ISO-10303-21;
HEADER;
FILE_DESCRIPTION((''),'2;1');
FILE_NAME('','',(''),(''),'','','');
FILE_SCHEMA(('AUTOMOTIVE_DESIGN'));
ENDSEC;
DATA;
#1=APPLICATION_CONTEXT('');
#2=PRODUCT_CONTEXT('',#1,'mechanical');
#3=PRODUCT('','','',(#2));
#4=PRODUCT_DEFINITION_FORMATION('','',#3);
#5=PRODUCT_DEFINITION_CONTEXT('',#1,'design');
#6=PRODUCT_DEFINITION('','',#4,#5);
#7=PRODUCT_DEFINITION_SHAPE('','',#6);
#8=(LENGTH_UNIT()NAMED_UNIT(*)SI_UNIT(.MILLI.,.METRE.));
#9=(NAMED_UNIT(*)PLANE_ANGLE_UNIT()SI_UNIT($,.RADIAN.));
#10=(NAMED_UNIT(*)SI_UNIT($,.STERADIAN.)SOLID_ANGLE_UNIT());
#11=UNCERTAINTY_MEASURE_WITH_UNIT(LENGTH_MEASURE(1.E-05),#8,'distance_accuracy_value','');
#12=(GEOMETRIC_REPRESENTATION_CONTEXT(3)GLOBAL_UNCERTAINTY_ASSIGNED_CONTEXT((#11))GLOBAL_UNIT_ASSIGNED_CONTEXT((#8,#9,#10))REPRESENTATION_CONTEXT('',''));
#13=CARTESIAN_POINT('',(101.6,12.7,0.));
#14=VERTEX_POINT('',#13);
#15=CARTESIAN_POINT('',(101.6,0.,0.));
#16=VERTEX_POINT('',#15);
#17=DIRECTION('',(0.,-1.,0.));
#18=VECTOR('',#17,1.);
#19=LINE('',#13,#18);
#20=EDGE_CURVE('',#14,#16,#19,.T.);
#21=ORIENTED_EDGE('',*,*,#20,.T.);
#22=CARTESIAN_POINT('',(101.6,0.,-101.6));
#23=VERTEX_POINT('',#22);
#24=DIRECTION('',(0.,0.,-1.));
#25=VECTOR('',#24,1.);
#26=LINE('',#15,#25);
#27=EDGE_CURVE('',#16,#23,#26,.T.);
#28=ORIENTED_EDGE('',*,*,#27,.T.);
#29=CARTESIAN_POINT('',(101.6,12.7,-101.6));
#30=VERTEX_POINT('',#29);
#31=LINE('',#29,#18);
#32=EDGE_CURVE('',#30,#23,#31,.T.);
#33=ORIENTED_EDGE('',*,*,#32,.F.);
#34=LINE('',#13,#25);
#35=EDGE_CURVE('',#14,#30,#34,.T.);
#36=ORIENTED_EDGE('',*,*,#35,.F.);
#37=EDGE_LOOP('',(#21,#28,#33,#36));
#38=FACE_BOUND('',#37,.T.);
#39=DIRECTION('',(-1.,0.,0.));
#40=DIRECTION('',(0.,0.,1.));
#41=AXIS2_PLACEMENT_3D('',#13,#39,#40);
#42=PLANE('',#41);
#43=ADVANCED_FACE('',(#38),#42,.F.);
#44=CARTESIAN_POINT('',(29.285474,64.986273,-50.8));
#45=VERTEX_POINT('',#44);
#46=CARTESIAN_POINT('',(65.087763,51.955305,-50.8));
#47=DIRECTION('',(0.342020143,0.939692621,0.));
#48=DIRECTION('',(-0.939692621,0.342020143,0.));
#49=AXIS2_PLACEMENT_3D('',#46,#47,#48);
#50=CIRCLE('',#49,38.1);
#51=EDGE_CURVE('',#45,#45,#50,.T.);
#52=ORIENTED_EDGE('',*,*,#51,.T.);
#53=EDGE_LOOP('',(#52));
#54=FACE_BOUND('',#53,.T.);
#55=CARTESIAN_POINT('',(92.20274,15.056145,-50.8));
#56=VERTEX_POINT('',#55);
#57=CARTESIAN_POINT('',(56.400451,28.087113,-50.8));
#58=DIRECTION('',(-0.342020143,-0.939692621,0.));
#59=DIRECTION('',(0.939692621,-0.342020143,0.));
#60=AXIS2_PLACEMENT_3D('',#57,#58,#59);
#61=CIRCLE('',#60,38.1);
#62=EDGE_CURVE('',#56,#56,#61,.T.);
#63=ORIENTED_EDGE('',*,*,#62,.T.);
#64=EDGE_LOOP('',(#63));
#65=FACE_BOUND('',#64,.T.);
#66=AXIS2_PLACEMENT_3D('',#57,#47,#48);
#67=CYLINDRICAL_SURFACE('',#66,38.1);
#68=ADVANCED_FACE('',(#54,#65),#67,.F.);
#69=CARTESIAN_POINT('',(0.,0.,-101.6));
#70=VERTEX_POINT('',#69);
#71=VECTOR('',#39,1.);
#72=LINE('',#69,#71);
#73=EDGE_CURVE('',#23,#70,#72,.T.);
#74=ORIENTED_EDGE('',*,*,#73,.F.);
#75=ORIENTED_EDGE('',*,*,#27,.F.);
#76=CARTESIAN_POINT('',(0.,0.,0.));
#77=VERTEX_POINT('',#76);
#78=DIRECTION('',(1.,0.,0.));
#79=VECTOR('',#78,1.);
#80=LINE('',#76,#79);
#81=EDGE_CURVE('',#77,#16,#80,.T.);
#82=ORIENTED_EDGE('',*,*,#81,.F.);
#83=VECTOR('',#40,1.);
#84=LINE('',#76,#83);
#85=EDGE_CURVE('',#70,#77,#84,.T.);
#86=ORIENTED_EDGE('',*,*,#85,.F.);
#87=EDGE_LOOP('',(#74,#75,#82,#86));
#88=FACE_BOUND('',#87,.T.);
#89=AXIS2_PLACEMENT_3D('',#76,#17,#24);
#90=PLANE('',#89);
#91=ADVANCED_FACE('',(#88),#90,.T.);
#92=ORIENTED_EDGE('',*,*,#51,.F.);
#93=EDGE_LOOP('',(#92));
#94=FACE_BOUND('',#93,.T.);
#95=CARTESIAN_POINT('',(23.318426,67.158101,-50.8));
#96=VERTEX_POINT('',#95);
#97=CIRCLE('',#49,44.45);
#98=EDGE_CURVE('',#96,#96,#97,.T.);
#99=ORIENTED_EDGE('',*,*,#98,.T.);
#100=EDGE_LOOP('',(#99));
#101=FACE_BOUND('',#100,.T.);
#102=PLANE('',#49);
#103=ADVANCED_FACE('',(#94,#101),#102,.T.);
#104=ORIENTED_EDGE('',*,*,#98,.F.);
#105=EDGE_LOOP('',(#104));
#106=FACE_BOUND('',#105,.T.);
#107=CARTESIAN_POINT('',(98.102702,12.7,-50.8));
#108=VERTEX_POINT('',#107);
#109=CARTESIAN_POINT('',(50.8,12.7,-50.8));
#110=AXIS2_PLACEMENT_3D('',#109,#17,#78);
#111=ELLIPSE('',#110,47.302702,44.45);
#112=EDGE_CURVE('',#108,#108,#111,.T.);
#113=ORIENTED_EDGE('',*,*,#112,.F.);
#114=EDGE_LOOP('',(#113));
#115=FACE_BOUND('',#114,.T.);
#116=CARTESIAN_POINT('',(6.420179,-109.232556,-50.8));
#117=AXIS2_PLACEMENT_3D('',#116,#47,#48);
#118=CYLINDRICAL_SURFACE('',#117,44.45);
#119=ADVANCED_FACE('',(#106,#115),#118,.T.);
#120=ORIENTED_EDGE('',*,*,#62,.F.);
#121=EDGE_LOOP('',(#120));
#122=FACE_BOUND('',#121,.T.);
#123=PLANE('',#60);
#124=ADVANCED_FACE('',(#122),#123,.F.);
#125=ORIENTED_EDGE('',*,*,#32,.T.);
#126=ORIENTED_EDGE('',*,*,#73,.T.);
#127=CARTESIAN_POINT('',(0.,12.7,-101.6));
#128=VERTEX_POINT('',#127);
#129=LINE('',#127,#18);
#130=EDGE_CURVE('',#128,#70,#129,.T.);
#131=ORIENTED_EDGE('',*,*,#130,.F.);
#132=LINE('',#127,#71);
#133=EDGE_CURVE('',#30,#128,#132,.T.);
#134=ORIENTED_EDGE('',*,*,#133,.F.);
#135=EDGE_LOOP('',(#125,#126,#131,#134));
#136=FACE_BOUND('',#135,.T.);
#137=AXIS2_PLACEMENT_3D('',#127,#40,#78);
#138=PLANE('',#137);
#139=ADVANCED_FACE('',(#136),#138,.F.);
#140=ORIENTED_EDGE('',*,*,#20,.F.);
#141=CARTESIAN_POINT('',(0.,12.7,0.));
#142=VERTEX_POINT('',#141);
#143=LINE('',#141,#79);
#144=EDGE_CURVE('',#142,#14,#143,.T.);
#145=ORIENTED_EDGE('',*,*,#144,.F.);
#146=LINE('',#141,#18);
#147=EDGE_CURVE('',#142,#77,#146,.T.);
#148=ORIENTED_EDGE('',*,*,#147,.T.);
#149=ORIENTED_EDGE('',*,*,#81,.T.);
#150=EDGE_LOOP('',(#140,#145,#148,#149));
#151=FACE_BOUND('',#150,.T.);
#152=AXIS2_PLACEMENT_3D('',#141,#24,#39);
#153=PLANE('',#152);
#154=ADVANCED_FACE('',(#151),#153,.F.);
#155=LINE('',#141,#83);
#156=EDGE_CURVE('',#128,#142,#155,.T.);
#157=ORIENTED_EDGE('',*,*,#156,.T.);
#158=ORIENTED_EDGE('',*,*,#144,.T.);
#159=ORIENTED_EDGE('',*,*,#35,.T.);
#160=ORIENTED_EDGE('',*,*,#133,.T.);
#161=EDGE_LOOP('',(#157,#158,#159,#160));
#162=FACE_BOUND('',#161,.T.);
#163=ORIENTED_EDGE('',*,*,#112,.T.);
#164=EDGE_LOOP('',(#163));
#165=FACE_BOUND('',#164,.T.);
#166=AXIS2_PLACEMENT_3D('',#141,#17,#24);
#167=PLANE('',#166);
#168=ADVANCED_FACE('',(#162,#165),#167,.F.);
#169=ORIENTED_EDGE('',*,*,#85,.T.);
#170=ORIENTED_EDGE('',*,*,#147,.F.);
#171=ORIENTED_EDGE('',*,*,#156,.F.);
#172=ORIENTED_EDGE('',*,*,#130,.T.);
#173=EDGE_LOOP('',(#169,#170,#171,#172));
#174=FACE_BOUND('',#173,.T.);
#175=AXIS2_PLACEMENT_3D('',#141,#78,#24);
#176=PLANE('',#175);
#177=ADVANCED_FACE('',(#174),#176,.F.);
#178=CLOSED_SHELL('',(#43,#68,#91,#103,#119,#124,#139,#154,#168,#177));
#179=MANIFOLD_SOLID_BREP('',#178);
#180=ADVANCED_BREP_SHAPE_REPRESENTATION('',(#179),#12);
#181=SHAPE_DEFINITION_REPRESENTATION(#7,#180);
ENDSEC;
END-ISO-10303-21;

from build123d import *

# Parameters (mm, degrees)
SKETCH1_W           = 101.6
SKETCH1_H           = 101.6
BOSS_EXTRUDE1_DEPTH = 12.7
SKETCH4_R           = 44.45
SKETCH4_R_2         = 38.1
BOSS_EXTRUDE5_DEPTH = 1
BOSS_EXTRUDE6_REACH = 141.847
SKETCH7_R           = 44.45
SKETCH8_R           = 44.45
SKETCH8_R_2         = 38.1
BOSS_EXTRUDE7_DEPTH = 24.4


with BuildPart() as part:
    # Sketch1 → Boss-Extrude1 (new body)
    with BuildSketch(Plane(origin=(0, 0, 0), x_dir=(1, 0, 0), z_dir=(0, 1, 0))):
        with Locations((50.8, 50.8)):
            Rectangle(SKETCH1_W, SKETCH1_H)
    extrude(amount=BOSS_EXTRUDE1_DEPTH)

    # Boss-Extrude6: up to this face of the body (flat: up to its plane)
    boss_extrude6_end = Plane(part.part.faces().sort_by_distance((50.8, 12.7, -50.8))[0])
    # Sketch7 → Boss-Extrude6 (add, up to the picked face)
    with BuildSketch(Plane(origin=(15.624623468, 42.928300165, 0), x_dir=(0.9396926207859082, -0.34202014332566943, 0), z_dir=(-0.34202014332566943, -0.9396926207859082, 0)), mode=Mode.PRIVATE) as boss_extrude6_sk1:
        with Locations(Location((43.392729316, -50.8, 0), (0, 0, 180))):
            Circle(SKETCH7_R)
    boss_extrude6_tool1 = split(extrude(boss_extrude6_sk1.sketch, amount=BOSS_EXTRUDE6_REACH, mode=Mode.PRIVATE), bisect_by=boss_extrude6_end, keep=Keep.BOTH, mode=Mode.PRIVATE)


with BuildPart() as body_2:
    # Sketch4 → Boss-Extrude5 (new body)
    with BuildSketch(Plane(origin=(15.966643611, 43.867992786, 0), x_dir=(0, 0, -1), z_dir=(0.34202014332566943, 0.9396926207859081, 0))):
        with Locations(Location((50.8, -43.392729316, 0), (0, 0, 90))):
            Circle(SKETCH4_R)
        with Locations(Location((50.8, -43.392729316, 0), (0, 0, 90))):
            Circle(SKETCH4_R_2, mode=Mode.SUBTRACT)
    extrude(amount=-BOSS_EXTRUDE5_DEPTH)


with BuildPart() as part_1:
    add(part.part)

    add(body_2.part)  # Boss-Extrude6 merges body 2
    add(boss_extrude6_tool1.solids().sort_by(Axis((56.400451, 28.087113, -50.8), (-0.34202014332566943, -0.9396926207859082, 0)))[0])

    # Sketch8 → Boss-Extrude7 (add)
    with BuildSketch(Plane(origin=(15.966643611, 43.867992786, 0), x_dir=(0.9396926207859082, -0.34202014332566943, 0), z_dir=(0.34202014332566943, 0.9396926207859082, 0))):
        with Locations(Location((43.392729316, 50.8, 0), (0, 0, 180))):
            Circle(SKETCH8_R)
        with Locations(Location((43.392729316, 50.8, 0), (0, 0, 180))):
            Circle(SKETCH8_R_2, mode=Mode.SUBTRACT)
    extrude(amount=BOSS_EXTRUDE7_DEPTH)


solid = part_1.part
